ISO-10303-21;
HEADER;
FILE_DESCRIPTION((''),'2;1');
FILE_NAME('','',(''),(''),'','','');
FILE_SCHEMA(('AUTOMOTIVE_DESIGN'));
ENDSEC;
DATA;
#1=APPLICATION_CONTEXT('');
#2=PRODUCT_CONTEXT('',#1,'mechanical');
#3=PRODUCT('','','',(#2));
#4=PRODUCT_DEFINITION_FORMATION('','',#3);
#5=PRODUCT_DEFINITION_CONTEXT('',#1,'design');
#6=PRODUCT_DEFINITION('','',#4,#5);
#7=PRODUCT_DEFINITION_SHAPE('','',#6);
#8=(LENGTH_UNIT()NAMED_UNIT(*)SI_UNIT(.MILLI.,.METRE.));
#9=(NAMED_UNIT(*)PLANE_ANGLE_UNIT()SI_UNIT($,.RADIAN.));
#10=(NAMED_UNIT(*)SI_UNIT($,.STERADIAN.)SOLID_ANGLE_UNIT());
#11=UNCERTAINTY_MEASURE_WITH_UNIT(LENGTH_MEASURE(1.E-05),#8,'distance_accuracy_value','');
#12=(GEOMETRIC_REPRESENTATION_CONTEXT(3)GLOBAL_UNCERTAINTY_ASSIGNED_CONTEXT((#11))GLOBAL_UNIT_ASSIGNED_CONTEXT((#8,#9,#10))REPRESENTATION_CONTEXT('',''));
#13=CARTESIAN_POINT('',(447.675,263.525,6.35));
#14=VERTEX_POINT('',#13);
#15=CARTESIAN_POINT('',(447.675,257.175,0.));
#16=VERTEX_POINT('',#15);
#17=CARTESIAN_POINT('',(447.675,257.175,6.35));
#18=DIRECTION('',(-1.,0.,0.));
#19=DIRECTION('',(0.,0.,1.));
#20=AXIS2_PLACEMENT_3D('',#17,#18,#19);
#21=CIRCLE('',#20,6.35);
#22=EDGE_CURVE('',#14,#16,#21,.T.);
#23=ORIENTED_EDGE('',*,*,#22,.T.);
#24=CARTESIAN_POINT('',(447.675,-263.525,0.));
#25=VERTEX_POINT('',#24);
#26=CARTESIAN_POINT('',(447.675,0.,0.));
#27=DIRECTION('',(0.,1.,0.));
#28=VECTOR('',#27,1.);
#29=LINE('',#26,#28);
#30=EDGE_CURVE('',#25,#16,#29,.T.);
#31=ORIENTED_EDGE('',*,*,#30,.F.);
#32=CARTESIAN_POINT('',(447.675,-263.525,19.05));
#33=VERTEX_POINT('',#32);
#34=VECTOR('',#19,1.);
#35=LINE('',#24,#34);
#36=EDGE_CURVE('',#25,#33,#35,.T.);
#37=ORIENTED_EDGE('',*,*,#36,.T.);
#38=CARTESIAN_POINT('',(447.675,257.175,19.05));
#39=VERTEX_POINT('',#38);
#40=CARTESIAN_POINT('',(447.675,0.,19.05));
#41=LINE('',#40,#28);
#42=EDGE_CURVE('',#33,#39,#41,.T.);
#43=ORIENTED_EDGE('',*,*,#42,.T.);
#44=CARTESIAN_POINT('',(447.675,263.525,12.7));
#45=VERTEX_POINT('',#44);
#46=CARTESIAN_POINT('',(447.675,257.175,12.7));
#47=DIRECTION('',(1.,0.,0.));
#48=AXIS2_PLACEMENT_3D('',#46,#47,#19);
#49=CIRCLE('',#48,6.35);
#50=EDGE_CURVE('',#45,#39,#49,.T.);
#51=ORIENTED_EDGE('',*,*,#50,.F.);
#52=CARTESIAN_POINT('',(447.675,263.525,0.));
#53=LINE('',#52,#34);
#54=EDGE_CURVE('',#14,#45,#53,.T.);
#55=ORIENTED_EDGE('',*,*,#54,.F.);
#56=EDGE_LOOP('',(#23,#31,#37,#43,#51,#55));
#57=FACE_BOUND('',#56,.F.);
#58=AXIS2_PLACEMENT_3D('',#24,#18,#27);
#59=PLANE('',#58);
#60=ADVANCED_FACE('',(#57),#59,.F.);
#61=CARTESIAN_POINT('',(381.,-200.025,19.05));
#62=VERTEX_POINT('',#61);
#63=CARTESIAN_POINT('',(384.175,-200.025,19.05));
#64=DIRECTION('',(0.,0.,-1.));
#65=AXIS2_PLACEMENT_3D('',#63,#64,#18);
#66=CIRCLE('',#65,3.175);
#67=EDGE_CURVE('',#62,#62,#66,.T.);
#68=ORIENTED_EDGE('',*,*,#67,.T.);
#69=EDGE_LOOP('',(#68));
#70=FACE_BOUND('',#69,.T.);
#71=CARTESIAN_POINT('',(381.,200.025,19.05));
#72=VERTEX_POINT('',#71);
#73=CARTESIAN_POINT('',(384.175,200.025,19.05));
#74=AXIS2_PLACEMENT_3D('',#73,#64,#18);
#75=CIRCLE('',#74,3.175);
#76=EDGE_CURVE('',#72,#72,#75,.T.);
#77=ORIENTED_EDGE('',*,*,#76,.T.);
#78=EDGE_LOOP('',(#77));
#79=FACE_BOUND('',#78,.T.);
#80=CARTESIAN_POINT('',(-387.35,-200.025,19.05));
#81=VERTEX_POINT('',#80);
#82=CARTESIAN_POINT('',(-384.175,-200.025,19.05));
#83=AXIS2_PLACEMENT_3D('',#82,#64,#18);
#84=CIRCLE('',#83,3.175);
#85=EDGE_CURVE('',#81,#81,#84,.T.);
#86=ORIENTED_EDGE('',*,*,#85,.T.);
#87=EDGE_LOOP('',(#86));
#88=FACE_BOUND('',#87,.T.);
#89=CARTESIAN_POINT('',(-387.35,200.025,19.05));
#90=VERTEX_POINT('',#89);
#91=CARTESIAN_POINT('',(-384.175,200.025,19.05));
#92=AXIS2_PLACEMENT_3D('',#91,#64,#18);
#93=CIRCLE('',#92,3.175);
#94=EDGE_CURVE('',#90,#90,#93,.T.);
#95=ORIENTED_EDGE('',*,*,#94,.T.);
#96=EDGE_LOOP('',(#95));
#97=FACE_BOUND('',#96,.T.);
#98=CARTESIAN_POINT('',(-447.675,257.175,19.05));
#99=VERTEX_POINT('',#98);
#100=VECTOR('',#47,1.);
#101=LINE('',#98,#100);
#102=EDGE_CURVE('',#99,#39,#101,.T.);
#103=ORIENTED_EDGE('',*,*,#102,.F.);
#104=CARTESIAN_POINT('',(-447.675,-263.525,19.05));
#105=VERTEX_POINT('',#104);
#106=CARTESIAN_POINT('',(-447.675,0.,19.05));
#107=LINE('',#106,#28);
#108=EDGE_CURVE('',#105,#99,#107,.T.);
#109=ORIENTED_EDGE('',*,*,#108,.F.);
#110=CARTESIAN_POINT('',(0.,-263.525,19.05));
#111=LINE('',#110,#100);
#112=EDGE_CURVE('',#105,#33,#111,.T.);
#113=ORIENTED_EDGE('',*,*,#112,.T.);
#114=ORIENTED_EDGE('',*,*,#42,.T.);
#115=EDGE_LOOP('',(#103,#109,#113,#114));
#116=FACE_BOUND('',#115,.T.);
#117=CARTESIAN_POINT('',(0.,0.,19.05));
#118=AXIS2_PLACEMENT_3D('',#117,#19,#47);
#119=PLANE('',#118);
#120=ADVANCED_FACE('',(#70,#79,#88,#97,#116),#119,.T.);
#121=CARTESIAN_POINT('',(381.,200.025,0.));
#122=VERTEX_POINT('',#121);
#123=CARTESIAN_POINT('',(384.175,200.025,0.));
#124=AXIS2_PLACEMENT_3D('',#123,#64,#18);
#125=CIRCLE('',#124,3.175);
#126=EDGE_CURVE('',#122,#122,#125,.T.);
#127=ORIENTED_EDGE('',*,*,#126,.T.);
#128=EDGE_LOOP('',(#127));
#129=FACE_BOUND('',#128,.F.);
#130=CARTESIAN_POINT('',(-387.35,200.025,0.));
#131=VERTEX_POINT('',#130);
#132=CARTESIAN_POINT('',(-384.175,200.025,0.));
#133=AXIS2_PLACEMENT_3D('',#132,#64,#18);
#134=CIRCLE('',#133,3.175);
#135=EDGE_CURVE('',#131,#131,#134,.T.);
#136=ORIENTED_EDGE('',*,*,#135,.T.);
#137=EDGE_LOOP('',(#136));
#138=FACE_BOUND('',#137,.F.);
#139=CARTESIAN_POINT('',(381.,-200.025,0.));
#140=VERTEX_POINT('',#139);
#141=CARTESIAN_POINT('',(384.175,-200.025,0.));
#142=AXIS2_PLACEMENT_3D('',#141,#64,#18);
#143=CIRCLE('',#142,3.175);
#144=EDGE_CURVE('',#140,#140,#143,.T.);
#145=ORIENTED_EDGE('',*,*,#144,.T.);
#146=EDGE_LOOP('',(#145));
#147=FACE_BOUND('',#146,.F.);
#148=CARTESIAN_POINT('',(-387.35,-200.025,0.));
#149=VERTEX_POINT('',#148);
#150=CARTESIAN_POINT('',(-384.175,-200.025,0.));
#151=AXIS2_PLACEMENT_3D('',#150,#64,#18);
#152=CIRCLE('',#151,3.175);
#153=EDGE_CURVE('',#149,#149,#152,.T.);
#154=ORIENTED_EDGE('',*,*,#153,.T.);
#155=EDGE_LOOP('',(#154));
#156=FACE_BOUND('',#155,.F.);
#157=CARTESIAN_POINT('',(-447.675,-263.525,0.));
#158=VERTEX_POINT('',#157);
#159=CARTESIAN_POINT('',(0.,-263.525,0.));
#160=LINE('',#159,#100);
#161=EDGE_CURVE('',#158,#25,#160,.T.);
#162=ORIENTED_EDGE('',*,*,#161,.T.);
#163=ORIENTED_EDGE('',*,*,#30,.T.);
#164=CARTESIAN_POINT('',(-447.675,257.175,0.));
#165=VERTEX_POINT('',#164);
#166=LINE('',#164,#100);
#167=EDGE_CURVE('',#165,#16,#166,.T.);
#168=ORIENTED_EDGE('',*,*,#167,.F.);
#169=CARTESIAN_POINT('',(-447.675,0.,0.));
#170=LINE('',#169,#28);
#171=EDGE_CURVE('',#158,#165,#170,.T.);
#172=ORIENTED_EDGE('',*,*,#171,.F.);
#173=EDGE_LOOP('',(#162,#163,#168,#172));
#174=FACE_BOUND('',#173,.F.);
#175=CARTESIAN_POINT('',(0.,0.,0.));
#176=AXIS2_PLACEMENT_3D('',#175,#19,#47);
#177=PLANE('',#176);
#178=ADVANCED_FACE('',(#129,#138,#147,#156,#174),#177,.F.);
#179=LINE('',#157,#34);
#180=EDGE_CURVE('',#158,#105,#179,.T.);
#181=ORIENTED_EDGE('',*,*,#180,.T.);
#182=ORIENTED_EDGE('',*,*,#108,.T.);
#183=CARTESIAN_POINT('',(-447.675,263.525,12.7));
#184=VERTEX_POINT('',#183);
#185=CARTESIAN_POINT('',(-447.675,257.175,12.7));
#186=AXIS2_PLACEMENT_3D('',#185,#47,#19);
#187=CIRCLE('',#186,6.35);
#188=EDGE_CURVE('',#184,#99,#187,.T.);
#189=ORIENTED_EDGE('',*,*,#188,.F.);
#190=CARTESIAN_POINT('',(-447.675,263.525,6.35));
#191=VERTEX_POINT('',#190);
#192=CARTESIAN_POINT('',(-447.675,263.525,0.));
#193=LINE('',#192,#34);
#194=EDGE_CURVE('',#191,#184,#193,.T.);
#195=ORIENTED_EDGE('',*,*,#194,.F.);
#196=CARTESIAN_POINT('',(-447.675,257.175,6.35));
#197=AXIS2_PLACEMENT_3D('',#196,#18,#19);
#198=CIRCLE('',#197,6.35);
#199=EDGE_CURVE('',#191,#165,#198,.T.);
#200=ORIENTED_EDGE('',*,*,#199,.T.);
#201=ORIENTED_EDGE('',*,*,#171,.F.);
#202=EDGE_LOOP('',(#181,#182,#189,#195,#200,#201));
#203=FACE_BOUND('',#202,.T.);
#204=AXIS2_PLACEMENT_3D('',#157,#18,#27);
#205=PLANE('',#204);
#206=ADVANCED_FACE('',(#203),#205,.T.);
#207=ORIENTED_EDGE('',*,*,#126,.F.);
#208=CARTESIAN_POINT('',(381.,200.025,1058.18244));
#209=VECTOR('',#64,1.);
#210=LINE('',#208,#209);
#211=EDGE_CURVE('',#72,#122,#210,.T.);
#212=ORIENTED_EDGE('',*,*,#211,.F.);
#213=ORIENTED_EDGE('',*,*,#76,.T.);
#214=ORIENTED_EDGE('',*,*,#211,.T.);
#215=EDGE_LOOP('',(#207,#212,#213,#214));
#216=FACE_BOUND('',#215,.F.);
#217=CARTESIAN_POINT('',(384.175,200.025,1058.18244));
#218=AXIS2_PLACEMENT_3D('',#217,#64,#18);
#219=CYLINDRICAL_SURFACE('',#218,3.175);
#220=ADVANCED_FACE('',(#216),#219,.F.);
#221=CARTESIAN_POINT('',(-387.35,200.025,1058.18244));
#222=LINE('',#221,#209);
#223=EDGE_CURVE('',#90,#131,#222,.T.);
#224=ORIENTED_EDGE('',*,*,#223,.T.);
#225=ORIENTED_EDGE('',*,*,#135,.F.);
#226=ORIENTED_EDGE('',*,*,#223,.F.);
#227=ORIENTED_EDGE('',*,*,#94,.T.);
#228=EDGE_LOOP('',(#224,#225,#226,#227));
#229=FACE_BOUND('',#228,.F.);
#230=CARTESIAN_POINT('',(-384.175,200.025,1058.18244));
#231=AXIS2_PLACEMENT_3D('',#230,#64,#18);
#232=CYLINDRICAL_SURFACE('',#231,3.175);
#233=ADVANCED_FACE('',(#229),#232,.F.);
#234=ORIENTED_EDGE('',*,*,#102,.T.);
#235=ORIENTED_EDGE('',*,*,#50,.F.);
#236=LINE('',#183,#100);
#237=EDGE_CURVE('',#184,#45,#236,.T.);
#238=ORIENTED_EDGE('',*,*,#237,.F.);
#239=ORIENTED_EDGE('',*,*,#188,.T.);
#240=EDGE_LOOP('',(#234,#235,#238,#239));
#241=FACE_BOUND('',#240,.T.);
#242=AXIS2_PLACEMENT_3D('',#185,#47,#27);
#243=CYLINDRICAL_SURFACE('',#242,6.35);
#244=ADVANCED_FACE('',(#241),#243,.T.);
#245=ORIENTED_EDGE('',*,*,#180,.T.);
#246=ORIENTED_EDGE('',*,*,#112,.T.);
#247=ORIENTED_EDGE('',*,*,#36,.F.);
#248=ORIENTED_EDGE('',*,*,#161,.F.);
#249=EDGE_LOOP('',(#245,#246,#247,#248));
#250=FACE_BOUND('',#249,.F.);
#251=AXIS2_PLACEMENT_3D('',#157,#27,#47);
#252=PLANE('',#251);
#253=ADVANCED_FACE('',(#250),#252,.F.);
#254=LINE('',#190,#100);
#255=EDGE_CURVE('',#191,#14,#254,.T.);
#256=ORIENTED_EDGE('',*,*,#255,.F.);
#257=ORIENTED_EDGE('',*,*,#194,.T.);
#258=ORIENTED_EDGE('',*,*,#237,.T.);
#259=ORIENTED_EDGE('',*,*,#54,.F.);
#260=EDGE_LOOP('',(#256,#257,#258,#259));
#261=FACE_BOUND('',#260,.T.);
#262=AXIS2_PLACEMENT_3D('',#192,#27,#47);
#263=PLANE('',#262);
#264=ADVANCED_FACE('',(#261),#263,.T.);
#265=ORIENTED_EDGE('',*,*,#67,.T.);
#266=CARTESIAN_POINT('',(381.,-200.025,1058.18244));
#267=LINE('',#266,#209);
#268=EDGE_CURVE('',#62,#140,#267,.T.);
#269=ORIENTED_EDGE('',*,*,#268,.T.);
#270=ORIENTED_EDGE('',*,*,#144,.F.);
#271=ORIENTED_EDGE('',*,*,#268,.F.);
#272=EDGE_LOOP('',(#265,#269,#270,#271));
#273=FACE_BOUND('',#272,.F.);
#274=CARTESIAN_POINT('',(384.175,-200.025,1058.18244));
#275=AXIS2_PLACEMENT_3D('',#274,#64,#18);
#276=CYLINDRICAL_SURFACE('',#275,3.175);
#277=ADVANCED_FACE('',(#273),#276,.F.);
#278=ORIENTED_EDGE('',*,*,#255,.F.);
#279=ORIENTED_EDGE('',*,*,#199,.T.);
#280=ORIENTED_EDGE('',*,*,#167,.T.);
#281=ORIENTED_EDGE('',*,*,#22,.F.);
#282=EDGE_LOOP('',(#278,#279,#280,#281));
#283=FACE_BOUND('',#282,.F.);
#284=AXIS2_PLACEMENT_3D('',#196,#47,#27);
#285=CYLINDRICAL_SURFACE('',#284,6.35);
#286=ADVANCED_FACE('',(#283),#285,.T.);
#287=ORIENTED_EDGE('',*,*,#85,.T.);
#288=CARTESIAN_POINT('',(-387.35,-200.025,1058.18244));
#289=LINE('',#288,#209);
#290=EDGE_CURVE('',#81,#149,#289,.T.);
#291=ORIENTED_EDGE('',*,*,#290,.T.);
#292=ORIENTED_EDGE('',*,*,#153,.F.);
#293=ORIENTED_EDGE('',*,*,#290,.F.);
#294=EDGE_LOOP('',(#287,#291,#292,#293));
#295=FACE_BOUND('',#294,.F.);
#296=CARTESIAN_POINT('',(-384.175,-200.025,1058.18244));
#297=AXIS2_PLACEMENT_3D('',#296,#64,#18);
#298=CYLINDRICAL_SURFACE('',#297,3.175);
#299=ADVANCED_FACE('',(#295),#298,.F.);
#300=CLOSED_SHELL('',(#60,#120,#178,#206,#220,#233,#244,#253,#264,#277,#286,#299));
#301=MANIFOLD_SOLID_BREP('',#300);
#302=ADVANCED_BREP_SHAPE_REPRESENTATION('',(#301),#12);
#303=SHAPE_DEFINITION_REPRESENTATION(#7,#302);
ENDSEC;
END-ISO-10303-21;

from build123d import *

# Parameters (mm, degrees)
F0_W     = 895.35
F0_H     = 527.05
F1_DEPTH = 19.05
F2_R     = 6.35
F4_D     = 6.35


with BuildPart() as f1:
    # F0 (on Top) → F1 (new body)
    with BuildSketch(Plane.XY):
        Rectangle(F0_W, F0_H)
    extrude(amount=F1_DEPTH)

    # F2
    f2_edges = [f1.edges().sort_by_distance(p)[0] for p in [
        (0, 263.525, 19.05),
        (0, 263.525, 0),
    ]]
    fillet(f2_edges, radius=F2_R)

    # F4 (through all)
    with Locations(Plane.XY.offset(19.05)):
        with Locations((-384.175, -200.025), (-384.175, 200.025), (384.175, 200.025), (384.175, -200.025)):
            Hole(F4_D / 2)


solid = f1.part
